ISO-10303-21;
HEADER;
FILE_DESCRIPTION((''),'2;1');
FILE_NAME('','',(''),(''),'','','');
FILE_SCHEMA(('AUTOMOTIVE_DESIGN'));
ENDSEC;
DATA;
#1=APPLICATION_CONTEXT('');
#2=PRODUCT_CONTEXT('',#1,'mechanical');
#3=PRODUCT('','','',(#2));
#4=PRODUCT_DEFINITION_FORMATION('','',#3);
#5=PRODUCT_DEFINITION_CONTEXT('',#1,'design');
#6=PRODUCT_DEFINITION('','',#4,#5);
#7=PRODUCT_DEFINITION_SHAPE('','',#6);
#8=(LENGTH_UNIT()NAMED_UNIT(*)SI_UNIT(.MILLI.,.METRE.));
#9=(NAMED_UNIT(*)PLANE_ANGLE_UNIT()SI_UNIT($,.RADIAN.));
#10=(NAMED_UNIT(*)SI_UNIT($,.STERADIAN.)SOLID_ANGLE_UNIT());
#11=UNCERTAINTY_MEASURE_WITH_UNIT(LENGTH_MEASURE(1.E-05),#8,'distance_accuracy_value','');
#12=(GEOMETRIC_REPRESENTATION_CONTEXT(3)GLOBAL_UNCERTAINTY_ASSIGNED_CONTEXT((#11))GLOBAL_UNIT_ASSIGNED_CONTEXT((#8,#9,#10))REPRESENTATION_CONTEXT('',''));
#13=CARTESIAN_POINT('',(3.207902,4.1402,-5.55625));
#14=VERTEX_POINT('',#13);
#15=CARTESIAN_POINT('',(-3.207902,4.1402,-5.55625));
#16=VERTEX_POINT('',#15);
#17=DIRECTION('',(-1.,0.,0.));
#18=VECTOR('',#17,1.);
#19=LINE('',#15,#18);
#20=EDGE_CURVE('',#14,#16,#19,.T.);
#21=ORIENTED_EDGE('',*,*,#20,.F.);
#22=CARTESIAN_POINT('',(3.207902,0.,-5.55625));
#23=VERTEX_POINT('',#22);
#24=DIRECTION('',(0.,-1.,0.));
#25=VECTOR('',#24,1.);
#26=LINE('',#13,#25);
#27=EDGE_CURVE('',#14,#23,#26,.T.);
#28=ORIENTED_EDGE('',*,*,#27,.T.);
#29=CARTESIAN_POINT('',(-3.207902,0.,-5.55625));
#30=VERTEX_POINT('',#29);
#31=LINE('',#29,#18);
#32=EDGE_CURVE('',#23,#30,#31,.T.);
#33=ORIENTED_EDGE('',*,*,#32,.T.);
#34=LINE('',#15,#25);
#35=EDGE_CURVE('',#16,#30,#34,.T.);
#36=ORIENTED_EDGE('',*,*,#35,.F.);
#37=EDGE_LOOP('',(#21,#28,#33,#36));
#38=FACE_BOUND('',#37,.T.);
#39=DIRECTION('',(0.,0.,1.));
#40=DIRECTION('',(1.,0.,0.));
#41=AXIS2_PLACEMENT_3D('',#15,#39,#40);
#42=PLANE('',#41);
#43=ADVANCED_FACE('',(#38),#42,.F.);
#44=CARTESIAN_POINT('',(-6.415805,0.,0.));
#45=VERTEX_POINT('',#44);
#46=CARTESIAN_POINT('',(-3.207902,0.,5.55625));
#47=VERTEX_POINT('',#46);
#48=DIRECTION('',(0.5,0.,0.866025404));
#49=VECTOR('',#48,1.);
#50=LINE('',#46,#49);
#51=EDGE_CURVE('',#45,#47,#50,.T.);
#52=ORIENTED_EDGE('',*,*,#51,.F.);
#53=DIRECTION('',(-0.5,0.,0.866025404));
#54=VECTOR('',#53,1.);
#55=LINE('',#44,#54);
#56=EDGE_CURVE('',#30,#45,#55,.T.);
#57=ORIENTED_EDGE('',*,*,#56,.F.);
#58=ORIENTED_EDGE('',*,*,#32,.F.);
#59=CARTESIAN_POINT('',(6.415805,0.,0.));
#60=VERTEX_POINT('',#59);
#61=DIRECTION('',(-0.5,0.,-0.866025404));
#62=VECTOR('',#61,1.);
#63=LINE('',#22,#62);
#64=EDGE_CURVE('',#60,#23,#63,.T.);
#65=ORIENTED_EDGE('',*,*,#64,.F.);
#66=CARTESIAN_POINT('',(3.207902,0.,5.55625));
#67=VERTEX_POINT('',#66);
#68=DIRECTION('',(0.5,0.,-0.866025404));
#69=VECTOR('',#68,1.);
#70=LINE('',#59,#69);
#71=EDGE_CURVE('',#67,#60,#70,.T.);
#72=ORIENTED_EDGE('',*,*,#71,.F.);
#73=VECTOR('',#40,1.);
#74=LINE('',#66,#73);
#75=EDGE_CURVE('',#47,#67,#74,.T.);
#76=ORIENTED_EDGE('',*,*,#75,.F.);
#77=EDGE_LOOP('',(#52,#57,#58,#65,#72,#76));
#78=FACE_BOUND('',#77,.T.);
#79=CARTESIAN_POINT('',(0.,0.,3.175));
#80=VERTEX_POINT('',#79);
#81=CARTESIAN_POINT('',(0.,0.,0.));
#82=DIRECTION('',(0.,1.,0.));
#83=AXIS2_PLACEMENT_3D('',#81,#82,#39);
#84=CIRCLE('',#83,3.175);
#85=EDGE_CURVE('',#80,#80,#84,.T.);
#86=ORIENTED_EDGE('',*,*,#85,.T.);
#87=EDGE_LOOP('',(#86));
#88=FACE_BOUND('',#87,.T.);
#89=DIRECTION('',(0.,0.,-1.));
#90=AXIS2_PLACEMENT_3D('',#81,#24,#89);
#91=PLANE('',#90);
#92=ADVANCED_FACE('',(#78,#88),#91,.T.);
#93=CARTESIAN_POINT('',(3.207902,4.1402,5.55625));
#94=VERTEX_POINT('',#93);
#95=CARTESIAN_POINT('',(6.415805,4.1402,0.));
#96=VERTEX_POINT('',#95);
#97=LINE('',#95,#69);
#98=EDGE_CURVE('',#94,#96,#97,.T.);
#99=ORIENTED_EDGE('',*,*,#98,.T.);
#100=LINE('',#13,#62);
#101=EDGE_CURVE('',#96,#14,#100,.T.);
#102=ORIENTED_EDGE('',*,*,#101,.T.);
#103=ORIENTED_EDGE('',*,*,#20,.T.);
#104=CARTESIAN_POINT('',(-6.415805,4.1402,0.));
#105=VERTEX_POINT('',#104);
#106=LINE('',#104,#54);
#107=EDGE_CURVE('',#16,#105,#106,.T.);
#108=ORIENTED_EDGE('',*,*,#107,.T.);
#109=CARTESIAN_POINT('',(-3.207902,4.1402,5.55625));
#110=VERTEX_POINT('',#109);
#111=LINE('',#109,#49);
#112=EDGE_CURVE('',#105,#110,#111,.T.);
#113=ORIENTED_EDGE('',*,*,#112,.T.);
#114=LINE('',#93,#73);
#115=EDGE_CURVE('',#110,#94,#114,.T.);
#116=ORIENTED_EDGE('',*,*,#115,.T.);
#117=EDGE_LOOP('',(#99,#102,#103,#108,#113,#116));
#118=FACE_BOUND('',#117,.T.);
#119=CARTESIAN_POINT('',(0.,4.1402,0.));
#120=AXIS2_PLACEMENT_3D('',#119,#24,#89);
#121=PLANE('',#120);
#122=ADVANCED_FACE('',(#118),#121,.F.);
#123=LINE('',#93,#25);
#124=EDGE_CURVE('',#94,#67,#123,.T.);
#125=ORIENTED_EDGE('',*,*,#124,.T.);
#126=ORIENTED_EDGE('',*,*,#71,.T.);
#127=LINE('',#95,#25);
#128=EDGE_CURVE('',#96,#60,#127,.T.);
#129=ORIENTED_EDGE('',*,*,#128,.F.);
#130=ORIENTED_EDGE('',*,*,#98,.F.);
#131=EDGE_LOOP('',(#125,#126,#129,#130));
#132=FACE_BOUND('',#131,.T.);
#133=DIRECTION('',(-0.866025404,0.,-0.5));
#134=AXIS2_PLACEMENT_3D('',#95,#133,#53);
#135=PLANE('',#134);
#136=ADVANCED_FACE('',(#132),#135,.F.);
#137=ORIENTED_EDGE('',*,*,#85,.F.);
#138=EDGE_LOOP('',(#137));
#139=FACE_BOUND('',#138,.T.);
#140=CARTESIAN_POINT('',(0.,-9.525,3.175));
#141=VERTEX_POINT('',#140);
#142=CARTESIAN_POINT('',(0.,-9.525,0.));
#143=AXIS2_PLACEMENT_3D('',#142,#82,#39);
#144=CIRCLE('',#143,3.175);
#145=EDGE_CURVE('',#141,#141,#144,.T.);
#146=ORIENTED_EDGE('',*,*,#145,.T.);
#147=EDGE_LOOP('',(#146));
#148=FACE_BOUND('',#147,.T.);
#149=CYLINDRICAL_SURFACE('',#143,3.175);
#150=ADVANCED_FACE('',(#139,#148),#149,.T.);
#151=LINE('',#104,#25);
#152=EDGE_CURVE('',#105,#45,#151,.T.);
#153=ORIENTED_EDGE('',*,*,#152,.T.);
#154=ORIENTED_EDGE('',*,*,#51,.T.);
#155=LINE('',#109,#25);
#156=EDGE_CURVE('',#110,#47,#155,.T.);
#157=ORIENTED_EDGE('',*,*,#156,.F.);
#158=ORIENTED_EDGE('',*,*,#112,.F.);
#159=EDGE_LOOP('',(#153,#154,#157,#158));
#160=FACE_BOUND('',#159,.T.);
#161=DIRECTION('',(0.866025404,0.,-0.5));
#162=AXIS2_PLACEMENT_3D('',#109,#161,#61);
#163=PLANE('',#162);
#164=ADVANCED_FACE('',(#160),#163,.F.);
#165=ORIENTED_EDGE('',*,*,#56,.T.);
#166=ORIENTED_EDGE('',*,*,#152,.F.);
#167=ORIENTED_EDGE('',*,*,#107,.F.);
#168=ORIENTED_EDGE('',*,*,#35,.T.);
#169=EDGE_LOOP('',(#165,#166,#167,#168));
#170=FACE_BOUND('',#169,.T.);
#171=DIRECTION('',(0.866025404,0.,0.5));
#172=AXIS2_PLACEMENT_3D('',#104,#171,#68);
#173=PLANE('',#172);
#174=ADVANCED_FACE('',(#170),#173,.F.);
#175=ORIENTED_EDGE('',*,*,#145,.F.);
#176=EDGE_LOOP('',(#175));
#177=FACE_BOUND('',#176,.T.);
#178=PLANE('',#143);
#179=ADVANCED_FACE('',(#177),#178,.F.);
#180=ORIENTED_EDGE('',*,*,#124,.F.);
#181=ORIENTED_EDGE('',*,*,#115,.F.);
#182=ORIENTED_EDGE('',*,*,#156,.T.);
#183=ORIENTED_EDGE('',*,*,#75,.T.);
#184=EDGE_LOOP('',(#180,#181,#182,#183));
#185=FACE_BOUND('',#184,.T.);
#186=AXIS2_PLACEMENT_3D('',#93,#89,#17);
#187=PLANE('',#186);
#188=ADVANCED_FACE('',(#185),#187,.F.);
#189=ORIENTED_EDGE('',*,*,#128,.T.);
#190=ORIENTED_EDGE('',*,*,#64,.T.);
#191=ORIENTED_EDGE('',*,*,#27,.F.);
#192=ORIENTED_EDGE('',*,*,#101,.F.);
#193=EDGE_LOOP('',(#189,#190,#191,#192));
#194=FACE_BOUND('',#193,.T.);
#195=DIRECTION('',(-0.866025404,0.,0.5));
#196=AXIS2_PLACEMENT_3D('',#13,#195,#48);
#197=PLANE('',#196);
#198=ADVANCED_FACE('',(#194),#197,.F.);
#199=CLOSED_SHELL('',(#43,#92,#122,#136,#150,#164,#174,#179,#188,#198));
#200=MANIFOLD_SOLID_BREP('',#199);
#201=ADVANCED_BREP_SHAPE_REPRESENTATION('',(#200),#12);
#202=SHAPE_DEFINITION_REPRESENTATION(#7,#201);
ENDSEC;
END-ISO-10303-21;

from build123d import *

# Parameters (mm, degrees)
SKETCH1_R           = 3.175
BOSS_EXTRUDE1_DEPTH = 9.525
BOSS_EXTRUDE2_DEPTH = 4.1402


with BuildPart() as part:
    # Sketch1 → Boss-Extrude1 (new body)
    with BuildSketch(Plane(origin=(0, 0, 0), x_dir=(1, 0, 0), z_dir=(0, 1, 0))):
        with Locations(Location((0, 0, 0), (0, 0, 270))):  # turned: the seam where the file's is
            Circle(SKETCH1_R)
    extrude(amount=-BOSS_EXTRUDE1_DEPTH)

    # Sketch2 → Boss-Extrude2 (add)
    with BuildSketch(Plane(origin=(0, 0, 0), x_dir=(1, 0, 0), z_dir=(0, 1, 0))):
        Polygon((-3.207902433, 5.55625), (3.207902433, 5.55625), (6.415804866, 0), (3.207902433, -5.55625), (-3.207902433, -5.55625), (-6.415804866, 0), align=None)
    extrude(amount=BOSS_EXTRUDE2_DEPTH)


solid = part.part
